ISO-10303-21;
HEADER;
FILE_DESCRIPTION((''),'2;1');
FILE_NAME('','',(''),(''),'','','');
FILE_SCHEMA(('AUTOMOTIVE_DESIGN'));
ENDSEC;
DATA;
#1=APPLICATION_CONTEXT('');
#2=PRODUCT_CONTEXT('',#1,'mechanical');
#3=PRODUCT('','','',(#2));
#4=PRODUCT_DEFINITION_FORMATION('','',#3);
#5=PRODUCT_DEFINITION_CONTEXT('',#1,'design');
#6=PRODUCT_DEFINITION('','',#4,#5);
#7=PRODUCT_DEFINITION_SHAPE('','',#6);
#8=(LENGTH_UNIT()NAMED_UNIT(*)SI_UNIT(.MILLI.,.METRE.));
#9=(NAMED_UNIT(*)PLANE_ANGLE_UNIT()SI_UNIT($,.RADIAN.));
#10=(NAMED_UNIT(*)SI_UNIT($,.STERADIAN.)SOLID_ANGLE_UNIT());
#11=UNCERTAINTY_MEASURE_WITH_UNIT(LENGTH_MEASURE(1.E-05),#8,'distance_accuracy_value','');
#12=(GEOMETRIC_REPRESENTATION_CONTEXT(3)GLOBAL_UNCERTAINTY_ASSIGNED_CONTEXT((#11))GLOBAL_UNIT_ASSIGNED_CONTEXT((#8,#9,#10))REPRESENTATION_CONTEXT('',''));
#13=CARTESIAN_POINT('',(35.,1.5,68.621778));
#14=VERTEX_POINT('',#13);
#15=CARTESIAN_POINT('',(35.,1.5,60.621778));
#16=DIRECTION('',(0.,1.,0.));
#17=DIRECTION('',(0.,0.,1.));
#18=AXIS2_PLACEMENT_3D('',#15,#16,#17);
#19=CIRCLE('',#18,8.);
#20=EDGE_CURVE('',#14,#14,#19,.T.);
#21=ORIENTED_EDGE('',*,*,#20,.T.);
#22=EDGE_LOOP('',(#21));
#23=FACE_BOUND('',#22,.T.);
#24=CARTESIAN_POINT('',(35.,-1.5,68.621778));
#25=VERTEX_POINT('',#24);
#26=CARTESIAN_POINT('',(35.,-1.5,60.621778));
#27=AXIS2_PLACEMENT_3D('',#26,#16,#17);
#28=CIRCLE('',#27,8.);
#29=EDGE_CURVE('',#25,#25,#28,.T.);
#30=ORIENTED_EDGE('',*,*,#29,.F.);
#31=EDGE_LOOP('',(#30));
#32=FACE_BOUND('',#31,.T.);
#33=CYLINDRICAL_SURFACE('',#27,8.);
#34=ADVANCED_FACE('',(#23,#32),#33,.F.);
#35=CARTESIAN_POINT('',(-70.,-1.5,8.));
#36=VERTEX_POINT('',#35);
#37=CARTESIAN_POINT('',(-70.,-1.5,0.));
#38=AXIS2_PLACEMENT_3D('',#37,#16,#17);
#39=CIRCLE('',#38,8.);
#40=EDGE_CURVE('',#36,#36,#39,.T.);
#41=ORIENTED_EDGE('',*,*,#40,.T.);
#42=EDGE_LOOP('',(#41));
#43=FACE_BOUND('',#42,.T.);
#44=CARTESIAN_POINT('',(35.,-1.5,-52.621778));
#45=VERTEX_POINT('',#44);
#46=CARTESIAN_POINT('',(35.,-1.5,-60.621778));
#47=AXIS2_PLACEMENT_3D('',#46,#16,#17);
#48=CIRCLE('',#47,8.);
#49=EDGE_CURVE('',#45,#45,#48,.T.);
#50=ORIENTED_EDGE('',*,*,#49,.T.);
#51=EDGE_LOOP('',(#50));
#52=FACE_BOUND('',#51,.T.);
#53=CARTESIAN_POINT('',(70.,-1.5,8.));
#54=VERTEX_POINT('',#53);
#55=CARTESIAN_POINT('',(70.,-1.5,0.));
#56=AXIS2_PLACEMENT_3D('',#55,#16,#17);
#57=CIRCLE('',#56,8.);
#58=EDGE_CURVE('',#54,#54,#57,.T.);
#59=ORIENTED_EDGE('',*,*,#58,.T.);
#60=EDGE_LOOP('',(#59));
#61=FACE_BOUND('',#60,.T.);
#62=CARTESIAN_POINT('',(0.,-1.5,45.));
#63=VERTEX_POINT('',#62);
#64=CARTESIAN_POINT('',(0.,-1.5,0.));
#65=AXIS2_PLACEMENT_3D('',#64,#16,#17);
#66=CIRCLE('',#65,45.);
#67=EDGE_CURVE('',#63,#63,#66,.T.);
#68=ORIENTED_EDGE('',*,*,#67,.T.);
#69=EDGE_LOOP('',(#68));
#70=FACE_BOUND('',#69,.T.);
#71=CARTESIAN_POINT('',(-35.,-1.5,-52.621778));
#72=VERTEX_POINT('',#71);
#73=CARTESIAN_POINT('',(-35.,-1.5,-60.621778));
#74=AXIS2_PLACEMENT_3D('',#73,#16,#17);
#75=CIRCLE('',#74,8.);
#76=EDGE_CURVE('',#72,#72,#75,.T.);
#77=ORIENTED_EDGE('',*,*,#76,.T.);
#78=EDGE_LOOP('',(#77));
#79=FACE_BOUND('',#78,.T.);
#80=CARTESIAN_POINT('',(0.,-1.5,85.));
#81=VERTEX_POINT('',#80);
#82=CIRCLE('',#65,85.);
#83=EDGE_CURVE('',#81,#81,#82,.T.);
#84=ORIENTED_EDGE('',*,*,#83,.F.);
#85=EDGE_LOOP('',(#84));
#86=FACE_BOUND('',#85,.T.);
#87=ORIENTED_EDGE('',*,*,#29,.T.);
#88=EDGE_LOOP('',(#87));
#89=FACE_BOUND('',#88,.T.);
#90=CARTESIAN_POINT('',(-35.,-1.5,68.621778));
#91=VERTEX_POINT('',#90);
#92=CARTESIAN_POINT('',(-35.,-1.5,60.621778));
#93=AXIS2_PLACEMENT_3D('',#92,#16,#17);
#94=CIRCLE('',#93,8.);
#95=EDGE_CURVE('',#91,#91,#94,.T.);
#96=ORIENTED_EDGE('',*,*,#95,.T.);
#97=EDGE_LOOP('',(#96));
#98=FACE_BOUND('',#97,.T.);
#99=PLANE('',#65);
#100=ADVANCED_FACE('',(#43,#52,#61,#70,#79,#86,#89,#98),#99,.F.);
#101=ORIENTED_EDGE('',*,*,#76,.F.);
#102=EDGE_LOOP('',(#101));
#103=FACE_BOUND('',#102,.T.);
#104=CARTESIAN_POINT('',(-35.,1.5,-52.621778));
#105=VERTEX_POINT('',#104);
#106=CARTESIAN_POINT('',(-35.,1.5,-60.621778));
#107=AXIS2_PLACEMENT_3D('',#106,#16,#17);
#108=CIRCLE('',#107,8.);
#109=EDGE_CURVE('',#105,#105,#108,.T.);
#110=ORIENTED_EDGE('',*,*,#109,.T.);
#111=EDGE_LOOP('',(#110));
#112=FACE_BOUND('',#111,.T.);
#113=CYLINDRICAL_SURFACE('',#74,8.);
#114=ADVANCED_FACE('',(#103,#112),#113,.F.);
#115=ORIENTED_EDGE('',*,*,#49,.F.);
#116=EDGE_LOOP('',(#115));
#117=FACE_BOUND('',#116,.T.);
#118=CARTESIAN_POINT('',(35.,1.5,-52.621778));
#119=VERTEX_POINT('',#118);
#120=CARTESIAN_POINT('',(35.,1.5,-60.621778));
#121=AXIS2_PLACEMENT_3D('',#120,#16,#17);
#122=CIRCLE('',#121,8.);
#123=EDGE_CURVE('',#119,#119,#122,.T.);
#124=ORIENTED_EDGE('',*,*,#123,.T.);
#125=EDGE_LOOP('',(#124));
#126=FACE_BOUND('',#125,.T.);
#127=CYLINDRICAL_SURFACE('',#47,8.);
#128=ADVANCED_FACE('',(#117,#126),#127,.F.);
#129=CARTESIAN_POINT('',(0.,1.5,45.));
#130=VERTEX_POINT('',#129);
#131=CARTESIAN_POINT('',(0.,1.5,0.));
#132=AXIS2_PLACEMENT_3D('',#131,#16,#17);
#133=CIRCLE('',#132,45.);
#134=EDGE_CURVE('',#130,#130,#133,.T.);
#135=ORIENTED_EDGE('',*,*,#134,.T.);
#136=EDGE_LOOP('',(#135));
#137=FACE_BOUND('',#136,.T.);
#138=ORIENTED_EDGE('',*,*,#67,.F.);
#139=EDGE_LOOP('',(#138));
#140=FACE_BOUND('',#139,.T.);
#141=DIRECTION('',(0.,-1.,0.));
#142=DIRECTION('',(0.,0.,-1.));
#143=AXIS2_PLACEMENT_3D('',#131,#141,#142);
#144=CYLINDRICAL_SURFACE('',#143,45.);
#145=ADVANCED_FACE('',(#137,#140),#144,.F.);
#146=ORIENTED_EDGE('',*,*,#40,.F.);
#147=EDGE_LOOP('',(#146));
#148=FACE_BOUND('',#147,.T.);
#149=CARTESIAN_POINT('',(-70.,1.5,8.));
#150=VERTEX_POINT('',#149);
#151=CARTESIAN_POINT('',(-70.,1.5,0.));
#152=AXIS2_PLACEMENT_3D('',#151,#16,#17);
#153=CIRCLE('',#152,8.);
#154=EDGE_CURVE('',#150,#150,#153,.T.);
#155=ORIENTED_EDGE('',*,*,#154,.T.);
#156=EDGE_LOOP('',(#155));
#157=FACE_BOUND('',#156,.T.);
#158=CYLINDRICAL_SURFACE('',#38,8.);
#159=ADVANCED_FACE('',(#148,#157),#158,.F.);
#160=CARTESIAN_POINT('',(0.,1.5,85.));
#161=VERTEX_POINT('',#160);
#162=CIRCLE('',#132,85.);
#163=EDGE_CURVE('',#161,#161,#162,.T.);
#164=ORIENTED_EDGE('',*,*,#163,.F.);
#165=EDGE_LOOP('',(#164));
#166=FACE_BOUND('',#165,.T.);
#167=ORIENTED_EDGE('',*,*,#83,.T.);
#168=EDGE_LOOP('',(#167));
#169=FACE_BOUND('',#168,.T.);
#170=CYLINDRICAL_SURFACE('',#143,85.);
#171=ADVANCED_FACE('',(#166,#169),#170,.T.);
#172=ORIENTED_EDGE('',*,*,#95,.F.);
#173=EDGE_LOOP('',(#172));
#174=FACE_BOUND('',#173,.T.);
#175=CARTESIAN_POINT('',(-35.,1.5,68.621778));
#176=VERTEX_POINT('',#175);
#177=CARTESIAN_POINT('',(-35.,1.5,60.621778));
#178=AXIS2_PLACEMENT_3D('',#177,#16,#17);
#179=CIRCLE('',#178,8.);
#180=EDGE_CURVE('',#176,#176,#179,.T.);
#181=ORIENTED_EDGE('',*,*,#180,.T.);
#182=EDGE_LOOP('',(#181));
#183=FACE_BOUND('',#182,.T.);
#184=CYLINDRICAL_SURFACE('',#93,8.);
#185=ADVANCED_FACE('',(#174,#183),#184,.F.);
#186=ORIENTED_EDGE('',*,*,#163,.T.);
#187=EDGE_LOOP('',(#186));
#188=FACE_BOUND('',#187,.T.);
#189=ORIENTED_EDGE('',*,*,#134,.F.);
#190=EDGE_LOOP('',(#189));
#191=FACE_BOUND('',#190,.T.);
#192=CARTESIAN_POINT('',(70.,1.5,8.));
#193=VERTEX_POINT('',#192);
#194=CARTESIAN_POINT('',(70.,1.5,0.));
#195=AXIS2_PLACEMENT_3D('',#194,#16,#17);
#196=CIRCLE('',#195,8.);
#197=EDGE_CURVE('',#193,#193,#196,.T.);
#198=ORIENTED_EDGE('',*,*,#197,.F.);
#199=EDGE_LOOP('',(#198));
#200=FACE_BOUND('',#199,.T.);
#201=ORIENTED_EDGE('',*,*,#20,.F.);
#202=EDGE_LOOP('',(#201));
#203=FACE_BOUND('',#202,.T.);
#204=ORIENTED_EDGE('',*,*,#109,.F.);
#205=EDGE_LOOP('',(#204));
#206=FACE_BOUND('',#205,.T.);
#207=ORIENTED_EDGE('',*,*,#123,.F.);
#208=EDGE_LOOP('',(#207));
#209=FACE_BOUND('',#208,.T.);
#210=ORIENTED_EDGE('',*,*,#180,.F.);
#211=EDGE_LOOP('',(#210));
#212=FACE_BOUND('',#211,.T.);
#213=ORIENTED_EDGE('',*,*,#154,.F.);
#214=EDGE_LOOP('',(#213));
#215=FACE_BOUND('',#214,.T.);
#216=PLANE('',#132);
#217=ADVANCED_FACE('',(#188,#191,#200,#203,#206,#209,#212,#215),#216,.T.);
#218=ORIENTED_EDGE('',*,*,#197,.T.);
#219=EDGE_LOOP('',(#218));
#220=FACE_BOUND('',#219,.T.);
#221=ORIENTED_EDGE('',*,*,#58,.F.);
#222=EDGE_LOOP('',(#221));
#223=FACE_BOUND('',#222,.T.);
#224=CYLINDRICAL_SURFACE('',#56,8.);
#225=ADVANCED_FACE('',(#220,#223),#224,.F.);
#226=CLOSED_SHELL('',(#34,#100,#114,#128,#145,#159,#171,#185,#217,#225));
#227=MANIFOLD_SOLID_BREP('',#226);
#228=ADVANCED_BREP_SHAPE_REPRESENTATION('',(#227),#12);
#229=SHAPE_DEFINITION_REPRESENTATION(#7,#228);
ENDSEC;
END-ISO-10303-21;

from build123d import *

# Parameters (mm, degrees)
SKETCH1_R               = 85
SKETCH1_R_2             = 45
BOSS_EXTRUDE1_DEPTH     = 1.5
CUT_EXTRUDE1_DEPTH      = 121.245582039
CUT_EXTRUDE1_DEPTH_BACK = 121.245582039
SKETCH2_R               = 8


with BuildPart() as part:
    # Sketch1 → Boss-Extrude1 (new, symmetric)
    with BuildSketch(Plane(origin=(0, 0, 0), x_dir=(1, 0, 0), z_dir=(0, 1, 0))):
        with Locations(Location((0, 0, 0), (0, 0, 270))):
            Circle(SKETCH1_R)
        with Locations(Location((0, 0, 0), (0, 0, 270))):
            Circle(SKETCH1_R_2, mode=Mode.SUBTRACT)
    extrude(amount=BOSS_EXTRUDE1_DEPTH, both=True)

    # Sketch2 → Cut-Extrude1 (cut, two sides: drawn at the far end of the back side and taken through both)
    with BuildSketch(Plane(origin=(0, 1.5, 0), x_dir=(1, 0, 0), z_dir=(0, 1, 0)).offset(-CUT_EXTRUDE1_DEPTH_BACK)):
        with Locations(Location((70, 0, 0), (0, 0, 270))):
            Circle(SKETCH2_R)
        with Locations(Location((35, -60.621778265, 0), (0, 0, 270))):
            Circle(SKETCH2_R)
        with Locations(Location((-35, -60.621778265, 0), (0, 0, 270))):
            Circle(SKETCH2_R)
        with Locations(Location((-70, 0, 0), (0, 0, 270))):
            Circle(SKETCH2_R)
        with Locations(Location((-35, 60.621778265, 0), (0, 0, 270))):
            Circle(SKETCH2_R)
        with Locations(Location((35, 60.621778265, 0), (0, 0, 270))):
            Circle(SKETCH2_R)
    extrude(amount=CUT_EXTRUDE1_DEPTH + CUT_EXTRUDE1_DEPTH_BACK, mode=Mode.SUBTRACT)


solid = part.part
